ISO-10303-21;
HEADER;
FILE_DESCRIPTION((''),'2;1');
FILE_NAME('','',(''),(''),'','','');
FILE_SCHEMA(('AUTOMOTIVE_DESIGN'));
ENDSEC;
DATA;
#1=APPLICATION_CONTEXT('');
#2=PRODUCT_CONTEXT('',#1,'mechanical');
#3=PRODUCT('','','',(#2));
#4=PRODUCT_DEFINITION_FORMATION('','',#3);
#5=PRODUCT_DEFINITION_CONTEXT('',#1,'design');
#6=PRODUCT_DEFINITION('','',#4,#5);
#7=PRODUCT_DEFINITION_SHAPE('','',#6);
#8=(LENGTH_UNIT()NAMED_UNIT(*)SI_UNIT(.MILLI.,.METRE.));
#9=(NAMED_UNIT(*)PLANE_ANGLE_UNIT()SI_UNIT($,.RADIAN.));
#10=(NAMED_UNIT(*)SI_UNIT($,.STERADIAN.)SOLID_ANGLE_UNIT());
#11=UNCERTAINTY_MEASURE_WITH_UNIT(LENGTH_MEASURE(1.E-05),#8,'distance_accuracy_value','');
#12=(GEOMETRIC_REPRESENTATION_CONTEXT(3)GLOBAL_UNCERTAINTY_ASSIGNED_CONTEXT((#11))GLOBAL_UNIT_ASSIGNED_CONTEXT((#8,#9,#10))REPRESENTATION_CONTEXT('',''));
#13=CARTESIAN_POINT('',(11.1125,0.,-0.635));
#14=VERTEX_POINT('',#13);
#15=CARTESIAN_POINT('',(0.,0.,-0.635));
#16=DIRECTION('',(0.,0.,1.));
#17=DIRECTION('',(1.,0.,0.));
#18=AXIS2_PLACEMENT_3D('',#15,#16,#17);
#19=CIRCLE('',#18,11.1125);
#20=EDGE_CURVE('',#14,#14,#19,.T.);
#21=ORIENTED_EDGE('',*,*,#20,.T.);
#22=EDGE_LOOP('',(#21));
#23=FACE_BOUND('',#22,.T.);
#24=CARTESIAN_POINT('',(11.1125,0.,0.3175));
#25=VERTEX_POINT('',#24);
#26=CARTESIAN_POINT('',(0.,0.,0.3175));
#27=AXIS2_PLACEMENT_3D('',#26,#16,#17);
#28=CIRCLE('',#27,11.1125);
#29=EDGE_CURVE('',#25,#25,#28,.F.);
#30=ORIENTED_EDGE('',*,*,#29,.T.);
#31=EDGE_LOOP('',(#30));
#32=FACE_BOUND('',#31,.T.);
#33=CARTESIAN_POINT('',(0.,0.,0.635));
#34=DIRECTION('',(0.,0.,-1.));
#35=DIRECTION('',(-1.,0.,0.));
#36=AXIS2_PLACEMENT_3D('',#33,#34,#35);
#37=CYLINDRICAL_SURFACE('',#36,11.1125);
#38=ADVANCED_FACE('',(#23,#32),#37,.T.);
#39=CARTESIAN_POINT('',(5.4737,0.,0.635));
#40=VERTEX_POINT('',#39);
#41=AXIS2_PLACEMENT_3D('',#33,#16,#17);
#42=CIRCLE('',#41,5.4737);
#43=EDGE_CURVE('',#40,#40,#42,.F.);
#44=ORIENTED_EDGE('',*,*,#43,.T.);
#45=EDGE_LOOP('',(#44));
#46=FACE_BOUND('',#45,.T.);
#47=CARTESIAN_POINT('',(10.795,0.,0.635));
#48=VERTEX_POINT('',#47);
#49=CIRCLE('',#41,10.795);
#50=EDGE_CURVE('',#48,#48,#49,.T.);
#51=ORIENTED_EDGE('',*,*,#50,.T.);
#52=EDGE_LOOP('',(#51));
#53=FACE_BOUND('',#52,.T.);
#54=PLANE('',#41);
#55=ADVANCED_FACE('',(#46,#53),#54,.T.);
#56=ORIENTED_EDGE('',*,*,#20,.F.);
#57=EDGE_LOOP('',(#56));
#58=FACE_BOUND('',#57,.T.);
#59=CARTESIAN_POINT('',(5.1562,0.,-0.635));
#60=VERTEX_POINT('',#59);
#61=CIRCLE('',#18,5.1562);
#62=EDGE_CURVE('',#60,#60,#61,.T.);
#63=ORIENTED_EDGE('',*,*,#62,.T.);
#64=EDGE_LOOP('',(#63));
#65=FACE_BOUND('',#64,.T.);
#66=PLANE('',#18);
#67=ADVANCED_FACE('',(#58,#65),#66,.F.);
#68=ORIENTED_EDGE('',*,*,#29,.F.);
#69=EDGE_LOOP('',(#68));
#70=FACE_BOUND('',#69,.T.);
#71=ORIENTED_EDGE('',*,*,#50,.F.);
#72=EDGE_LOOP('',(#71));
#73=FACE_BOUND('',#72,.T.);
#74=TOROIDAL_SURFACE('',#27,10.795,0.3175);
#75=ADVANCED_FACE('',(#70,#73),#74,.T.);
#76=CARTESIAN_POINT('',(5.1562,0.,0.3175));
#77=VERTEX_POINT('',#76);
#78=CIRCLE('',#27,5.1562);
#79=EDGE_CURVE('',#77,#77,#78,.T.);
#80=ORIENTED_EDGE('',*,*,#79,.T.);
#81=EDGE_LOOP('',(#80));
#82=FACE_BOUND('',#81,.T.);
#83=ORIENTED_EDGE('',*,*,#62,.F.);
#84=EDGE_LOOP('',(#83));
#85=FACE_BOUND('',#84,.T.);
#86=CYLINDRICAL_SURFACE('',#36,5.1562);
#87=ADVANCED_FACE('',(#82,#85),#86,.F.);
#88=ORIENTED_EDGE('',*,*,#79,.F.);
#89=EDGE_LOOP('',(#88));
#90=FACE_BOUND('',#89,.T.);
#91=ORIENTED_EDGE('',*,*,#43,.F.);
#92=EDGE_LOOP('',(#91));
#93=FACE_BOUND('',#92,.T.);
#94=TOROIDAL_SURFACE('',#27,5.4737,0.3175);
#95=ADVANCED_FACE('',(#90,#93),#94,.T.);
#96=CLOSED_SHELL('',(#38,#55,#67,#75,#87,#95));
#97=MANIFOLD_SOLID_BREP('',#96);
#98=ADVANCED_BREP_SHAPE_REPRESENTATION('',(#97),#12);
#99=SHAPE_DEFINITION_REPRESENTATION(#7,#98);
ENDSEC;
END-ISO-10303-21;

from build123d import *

# Parameters (mm, degrees)
SKETCH3_R                = 11.1125
SKETCH3_R_2              = 5.1562
BOSS_EXTRUDE1_DEPTH      = 0.635
BOSS_EXTRUDE1_DEPTH_BACK = 0.635
FILLET1_R                = 0.3175


with BuildPart() as part:
    # Sketch3 → Boss-Extrude1 (new body, two sides)
    with BuildSketch(Plane.XY) as boss_extrude1_sk:
        Circle(SKETCH3_R)
        Circle(SKETCH3_R_2, mode=Mode.SUBTRACT)
    extrude(amount=BOSS_EXTRUDE1_DEPTH)
    extrude(boss_extrude1_sk.sketch, amount=-BOSS_EXTRUDE1_DEPTH_BACK)

    # Fillet1
    fillet1_edges = [part.edges().sort_by_distance(p)[0] for p in [
        (-11.1125, 0, 0.635),
        (-5.1562, 0, 0.635),
    ]]
    fillet(fillet1_edges, radius=FILLET1_R)


solid = part.part
